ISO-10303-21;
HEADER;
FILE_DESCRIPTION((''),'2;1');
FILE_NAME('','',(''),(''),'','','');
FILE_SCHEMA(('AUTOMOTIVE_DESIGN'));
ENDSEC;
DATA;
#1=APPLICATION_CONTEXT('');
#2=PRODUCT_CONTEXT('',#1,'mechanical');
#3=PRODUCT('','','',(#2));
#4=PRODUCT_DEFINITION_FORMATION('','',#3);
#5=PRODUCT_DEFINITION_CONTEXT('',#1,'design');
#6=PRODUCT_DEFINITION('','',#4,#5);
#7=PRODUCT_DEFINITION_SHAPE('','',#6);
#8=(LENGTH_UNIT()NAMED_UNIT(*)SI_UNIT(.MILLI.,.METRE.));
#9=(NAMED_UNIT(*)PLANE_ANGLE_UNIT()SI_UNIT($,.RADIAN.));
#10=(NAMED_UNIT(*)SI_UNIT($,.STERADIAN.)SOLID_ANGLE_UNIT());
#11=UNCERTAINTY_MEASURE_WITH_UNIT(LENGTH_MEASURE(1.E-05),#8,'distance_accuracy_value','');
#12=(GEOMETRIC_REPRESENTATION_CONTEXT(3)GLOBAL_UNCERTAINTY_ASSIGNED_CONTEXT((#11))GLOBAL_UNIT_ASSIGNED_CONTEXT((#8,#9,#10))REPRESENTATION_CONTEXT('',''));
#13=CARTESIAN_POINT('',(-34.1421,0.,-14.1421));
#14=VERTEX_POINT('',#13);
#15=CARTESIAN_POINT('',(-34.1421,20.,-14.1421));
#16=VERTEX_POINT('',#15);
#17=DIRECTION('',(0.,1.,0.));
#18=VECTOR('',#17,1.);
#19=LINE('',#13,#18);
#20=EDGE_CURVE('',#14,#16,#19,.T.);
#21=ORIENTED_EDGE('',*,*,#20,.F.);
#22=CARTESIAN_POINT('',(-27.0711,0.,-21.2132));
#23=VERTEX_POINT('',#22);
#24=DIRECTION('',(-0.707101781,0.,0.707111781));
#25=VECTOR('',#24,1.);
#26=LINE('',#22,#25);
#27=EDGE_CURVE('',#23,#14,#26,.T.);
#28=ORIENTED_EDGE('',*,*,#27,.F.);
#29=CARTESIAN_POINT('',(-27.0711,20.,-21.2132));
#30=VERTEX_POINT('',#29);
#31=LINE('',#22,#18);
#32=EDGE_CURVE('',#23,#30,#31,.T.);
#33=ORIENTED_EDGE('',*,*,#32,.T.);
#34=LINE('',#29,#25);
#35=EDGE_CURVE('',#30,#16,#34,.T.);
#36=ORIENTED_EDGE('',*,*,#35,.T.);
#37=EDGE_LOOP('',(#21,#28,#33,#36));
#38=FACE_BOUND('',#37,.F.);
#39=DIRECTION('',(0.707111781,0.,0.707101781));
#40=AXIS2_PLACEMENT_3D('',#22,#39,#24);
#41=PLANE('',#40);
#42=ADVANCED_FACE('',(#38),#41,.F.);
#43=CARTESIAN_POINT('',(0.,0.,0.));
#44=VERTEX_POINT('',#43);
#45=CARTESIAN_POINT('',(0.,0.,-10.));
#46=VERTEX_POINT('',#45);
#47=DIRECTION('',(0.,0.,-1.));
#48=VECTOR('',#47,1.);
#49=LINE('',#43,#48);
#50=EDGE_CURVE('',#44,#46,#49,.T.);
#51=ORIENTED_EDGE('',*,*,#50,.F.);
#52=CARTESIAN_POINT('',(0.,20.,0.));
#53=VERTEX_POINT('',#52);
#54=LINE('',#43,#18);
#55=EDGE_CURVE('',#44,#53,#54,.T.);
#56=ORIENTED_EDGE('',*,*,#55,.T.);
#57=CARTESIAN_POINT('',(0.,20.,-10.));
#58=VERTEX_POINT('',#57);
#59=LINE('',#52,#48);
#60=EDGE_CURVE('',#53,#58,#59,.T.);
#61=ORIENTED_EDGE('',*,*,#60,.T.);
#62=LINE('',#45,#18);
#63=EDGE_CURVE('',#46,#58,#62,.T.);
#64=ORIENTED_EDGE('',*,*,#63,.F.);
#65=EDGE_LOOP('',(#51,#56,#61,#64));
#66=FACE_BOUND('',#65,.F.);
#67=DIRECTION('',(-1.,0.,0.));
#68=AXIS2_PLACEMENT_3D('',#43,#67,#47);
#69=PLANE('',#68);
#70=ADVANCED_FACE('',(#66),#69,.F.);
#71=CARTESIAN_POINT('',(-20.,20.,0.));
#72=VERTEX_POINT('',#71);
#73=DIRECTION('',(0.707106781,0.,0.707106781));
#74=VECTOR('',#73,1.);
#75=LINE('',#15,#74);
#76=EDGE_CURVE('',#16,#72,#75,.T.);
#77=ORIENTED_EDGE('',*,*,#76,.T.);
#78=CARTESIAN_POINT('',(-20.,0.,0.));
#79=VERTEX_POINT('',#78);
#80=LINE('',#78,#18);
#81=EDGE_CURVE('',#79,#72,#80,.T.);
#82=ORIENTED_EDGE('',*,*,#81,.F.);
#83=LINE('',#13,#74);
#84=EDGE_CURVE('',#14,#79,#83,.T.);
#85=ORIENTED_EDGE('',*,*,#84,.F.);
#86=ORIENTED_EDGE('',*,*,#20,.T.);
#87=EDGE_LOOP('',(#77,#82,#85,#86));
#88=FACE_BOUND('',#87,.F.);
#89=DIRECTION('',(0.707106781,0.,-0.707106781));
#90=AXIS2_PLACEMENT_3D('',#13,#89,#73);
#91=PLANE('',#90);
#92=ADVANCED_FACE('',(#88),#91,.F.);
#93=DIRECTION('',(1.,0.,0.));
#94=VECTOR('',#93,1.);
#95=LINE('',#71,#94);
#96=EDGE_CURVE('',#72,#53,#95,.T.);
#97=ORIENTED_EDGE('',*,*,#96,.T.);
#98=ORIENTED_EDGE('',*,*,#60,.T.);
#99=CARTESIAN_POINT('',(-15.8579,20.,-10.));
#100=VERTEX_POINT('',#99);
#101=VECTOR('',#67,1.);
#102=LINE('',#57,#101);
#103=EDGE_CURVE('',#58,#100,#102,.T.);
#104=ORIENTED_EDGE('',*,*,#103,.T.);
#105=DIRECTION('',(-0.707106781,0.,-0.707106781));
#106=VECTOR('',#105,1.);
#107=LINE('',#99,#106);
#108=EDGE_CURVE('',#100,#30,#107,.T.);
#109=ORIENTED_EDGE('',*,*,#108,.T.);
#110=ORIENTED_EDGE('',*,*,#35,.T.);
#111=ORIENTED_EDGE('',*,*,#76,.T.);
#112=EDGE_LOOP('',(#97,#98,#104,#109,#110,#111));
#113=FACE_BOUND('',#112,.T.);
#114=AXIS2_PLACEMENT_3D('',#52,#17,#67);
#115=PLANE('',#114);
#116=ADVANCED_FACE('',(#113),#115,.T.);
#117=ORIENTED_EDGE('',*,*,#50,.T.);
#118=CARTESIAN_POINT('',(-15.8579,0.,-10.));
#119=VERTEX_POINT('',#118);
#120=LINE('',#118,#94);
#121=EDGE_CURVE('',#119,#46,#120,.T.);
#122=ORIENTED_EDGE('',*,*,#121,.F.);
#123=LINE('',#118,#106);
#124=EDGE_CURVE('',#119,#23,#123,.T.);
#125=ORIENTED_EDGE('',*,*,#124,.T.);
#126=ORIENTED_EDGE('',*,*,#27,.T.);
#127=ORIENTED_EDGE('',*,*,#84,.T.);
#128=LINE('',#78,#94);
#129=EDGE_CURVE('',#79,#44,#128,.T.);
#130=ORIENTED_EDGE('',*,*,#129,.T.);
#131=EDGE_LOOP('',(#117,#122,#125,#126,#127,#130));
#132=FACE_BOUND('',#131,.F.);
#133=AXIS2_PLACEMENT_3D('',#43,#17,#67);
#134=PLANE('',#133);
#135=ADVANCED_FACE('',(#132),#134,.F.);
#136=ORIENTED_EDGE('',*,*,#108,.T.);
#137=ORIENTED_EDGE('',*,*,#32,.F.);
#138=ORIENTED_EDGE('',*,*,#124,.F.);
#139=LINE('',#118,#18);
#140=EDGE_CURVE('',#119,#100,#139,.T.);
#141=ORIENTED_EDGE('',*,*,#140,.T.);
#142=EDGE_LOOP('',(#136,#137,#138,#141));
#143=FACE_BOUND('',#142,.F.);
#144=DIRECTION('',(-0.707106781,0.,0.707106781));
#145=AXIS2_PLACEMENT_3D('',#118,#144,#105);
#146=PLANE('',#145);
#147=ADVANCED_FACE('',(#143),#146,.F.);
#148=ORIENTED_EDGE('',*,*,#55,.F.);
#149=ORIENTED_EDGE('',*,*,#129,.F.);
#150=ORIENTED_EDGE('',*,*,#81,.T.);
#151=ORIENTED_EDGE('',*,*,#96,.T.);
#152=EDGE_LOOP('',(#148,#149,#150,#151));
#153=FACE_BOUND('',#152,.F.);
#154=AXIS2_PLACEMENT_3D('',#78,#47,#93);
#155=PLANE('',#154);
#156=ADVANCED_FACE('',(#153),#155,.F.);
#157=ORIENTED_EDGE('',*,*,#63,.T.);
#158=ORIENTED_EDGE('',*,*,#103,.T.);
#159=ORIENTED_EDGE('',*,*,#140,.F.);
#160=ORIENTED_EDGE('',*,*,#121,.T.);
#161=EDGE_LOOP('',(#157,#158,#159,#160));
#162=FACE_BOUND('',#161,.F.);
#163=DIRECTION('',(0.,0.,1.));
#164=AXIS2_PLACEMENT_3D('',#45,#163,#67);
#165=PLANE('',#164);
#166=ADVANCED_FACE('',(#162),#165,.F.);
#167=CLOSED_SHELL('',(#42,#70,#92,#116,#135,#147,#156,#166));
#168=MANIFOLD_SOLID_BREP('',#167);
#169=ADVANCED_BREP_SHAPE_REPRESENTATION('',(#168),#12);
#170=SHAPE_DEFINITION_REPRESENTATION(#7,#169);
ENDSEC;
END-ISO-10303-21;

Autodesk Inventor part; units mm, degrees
ref_plane "YZ Plane" through (0, 0, 0) normal (1, 0, 0) x (0, 1, 0)
ref_plane "XZ Plane" through (0, 0, 0) normal (0, 1, 0) x (-1, 0, 0)
ref_plane "XY Plane" through (0, 0, 0) normal (0, 0, 1) x (1, 0, 0)
sketch "Sketch1" plane through (0, 0, 0) normal (0, 1, 0) x (-1, 0, 0)
  line L0 (0, 0) -> (0, -10)
  line L1 (0, -10) -> (15.8579, -10)
  line L2 (15.8579, -10) -> (27.0711, -21.2132)
  line L3 (27.0711, -21.2132) -> (34.1421, -14.1421)
  line L4 (34.1421, -14.1421) -> (20, 0)
  line L5 (20, 0) -> (0, 0)
  line L6 (20, 0) -> (15.8579, -10)
  line L7 (15.8579, -10) -> (13.3455, -10)
  dimension "d0" = 20
  dimension "d6" = 10
  dimension "d10" = 45
extrude "Extrusion1" add sketch "Sketch1" along normal blind 20
properties part number "Orthogonal Bracket"
